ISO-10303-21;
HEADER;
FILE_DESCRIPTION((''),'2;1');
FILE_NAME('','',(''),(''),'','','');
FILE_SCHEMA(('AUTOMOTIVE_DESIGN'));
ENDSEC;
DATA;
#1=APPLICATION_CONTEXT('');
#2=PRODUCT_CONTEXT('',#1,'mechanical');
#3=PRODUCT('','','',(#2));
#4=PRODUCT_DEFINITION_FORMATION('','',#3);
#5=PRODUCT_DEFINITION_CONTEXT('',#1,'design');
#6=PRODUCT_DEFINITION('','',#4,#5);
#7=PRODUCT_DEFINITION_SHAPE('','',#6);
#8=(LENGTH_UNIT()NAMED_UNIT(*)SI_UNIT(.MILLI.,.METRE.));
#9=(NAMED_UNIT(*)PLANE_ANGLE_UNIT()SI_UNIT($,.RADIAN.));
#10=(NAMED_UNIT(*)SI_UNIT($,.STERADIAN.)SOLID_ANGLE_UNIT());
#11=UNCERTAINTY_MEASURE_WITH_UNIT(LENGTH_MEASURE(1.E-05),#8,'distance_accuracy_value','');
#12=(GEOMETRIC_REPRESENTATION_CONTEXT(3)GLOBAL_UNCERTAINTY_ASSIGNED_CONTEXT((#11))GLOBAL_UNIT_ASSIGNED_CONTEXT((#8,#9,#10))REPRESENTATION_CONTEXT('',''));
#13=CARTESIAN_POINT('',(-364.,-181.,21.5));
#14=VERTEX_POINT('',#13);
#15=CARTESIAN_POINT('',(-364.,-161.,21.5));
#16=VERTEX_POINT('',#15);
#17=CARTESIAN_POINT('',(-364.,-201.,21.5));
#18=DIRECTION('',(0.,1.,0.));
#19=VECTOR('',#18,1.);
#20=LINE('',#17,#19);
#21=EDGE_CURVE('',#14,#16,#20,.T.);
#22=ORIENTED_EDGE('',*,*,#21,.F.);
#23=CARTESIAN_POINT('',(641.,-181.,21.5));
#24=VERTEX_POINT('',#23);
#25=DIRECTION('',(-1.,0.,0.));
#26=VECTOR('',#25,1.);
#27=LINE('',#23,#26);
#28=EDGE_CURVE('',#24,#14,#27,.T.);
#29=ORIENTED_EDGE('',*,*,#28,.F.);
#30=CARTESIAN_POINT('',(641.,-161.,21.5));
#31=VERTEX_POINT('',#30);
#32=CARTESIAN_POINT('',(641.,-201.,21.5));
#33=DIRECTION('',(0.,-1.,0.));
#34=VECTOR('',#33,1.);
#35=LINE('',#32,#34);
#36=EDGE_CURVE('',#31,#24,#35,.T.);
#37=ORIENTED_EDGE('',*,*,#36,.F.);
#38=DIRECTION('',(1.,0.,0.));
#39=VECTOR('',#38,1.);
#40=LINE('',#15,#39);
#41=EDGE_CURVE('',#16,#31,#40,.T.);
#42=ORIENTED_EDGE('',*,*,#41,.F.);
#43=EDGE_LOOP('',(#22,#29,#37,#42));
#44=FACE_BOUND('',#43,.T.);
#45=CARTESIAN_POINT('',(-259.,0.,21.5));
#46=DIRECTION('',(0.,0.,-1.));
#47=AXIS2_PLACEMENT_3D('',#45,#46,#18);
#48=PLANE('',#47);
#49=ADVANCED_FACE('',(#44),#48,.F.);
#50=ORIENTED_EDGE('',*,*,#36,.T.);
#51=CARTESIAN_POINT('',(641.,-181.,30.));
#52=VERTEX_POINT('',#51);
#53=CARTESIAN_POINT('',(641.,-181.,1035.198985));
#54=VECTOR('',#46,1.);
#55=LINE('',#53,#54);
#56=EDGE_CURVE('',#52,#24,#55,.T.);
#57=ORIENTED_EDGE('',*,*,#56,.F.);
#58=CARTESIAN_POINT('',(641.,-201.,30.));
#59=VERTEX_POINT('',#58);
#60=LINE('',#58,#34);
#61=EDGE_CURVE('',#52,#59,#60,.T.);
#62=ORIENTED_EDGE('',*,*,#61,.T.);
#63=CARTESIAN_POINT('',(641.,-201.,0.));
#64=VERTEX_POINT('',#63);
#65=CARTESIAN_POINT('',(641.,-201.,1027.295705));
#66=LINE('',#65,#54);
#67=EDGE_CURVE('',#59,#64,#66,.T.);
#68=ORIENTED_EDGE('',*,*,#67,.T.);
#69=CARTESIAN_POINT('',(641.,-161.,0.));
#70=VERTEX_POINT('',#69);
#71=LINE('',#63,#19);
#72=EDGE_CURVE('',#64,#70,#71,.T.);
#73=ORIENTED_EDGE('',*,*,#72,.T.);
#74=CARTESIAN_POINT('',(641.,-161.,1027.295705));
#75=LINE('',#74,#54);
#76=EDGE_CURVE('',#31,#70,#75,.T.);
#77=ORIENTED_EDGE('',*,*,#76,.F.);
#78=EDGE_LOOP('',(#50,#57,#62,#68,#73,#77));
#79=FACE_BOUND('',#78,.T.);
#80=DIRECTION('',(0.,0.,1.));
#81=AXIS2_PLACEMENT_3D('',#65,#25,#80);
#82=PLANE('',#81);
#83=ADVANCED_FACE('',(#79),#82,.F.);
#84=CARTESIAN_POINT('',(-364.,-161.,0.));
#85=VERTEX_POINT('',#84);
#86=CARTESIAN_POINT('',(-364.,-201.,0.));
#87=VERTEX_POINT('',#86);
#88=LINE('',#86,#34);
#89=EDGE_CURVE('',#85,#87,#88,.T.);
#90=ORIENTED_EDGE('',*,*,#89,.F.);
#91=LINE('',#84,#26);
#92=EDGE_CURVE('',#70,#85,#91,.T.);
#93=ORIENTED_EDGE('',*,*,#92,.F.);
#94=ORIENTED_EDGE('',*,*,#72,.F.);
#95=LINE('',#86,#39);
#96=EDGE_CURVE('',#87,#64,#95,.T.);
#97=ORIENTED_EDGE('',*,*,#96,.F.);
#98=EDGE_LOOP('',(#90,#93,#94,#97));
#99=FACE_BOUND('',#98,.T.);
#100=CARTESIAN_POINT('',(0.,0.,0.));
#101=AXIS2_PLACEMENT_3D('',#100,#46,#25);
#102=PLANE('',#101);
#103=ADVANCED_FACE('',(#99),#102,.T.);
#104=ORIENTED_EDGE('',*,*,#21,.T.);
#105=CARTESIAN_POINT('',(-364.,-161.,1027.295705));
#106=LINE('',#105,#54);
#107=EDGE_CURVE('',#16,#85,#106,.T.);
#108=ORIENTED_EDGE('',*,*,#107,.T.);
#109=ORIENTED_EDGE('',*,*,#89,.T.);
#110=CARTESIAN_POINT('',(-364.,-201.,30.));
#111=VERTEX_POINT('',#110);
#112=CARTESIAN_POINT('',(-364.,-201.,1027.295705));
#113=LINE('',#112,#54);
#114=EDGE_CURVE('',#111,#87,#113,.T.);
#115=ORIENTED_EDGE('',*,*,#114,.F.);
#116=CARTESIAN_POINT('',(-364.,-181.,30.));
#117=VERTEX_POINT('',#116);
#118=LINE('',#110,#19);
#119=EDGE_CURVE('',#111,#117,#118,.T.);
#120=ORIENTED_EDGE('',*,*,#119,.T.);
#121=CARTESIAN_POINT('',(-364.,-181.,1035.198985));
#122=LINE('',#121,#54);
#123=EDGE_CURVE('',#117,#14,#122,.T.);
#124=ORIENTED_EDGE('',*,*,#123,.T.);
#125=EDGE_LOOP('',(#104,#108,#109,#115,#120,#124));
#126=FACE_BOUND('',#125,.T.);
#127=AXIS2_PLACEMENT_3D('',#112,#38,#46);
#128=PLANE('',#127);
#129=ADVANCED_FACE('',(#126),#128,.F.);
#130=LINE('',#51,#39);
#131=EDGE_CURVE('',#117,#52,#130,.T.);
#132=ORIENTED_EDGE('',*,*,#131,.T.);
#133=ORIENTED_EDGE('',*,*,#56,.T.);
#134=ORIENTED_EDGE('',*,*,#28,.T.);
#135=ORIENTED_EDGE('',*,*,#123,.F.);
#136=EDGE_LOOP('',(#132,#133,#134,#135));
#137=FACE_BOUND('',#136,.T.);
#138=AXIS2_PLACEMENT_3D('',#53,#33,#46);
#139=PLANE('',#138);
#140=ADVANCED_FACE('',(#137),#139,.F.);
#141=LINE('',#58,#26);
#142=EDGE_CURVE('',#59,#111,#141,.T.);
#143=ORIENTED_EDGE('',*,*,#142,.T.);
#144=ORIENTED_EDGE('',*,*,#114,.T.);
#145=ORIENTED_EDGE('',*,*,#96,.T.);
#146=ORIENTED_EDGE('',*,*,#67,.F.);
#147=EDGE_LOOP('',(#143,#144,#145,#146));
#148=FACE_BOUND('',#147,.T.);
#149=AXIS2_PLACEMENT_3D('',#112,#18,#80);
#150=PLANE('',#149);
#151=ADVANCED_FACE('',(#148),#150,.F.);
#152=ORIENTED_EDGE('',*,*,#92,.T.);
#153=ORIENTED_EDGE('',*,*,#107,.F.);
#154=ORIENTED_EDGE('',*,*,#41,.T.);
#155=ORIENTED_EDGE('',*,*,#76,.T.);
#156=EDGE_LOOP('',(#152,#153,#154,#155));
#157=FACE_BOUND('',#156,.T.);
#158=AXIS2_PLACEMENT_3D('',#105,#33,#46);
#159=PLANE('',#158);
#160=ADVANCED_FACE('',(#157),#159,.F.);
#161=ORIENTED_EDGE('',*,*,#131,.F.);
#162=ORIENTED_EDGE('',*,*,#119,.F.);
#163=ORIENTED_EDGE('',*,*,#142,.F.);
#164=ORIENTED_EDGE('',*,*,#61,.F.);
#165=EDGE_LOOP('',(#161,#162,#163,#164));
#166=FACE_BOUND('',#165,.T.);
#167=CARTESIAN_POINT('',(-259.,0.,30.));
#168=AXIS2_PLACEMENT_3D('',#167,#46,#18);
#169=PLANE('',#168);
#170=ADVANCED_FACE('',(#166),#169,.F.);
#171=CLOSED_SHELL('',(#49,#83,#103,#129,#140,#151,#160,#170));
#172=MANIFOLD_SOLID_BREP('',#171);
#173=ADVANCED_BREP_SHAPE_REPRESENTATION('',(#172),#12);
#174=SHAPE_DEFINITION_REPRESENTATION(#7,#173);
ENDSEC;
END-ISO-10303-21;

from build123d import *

# Parameters (mm, degrees)
ESQUISSE1_W        = 1005
ESQUISSE1_H        = 40
BOSS_EXTRU_1_DEPTH = 21.5
ESQUISSE2_W        = 1005
ESQUISSE2_H        = 20
BOSS_EXTRU_2_DEPTH = 8.5


with BuildPart() as part:
    # Esquisse1 → Boss.-Extru.1 (new body)
    with BuildSketch(Plane.XY):
        with Locations((138.5, -181)):
            Rectangle(ESQUISSE1_W, ESQUISSE1_H)
    extrude(amount=BOSS_EXTRU_1_DEPTH)

    # Esquisse2 → Boss.-Extru.2 (add)
    with BuildSketch(Plane.XY.offset(21.5)):
        with Locations((138.5, -191)):
            Rectangle(ESQUISSE2_W, ESQUISSE2_H)
    extrude(amount=BOSS_EXTRU_2_DEPTH)


solid = part.part
